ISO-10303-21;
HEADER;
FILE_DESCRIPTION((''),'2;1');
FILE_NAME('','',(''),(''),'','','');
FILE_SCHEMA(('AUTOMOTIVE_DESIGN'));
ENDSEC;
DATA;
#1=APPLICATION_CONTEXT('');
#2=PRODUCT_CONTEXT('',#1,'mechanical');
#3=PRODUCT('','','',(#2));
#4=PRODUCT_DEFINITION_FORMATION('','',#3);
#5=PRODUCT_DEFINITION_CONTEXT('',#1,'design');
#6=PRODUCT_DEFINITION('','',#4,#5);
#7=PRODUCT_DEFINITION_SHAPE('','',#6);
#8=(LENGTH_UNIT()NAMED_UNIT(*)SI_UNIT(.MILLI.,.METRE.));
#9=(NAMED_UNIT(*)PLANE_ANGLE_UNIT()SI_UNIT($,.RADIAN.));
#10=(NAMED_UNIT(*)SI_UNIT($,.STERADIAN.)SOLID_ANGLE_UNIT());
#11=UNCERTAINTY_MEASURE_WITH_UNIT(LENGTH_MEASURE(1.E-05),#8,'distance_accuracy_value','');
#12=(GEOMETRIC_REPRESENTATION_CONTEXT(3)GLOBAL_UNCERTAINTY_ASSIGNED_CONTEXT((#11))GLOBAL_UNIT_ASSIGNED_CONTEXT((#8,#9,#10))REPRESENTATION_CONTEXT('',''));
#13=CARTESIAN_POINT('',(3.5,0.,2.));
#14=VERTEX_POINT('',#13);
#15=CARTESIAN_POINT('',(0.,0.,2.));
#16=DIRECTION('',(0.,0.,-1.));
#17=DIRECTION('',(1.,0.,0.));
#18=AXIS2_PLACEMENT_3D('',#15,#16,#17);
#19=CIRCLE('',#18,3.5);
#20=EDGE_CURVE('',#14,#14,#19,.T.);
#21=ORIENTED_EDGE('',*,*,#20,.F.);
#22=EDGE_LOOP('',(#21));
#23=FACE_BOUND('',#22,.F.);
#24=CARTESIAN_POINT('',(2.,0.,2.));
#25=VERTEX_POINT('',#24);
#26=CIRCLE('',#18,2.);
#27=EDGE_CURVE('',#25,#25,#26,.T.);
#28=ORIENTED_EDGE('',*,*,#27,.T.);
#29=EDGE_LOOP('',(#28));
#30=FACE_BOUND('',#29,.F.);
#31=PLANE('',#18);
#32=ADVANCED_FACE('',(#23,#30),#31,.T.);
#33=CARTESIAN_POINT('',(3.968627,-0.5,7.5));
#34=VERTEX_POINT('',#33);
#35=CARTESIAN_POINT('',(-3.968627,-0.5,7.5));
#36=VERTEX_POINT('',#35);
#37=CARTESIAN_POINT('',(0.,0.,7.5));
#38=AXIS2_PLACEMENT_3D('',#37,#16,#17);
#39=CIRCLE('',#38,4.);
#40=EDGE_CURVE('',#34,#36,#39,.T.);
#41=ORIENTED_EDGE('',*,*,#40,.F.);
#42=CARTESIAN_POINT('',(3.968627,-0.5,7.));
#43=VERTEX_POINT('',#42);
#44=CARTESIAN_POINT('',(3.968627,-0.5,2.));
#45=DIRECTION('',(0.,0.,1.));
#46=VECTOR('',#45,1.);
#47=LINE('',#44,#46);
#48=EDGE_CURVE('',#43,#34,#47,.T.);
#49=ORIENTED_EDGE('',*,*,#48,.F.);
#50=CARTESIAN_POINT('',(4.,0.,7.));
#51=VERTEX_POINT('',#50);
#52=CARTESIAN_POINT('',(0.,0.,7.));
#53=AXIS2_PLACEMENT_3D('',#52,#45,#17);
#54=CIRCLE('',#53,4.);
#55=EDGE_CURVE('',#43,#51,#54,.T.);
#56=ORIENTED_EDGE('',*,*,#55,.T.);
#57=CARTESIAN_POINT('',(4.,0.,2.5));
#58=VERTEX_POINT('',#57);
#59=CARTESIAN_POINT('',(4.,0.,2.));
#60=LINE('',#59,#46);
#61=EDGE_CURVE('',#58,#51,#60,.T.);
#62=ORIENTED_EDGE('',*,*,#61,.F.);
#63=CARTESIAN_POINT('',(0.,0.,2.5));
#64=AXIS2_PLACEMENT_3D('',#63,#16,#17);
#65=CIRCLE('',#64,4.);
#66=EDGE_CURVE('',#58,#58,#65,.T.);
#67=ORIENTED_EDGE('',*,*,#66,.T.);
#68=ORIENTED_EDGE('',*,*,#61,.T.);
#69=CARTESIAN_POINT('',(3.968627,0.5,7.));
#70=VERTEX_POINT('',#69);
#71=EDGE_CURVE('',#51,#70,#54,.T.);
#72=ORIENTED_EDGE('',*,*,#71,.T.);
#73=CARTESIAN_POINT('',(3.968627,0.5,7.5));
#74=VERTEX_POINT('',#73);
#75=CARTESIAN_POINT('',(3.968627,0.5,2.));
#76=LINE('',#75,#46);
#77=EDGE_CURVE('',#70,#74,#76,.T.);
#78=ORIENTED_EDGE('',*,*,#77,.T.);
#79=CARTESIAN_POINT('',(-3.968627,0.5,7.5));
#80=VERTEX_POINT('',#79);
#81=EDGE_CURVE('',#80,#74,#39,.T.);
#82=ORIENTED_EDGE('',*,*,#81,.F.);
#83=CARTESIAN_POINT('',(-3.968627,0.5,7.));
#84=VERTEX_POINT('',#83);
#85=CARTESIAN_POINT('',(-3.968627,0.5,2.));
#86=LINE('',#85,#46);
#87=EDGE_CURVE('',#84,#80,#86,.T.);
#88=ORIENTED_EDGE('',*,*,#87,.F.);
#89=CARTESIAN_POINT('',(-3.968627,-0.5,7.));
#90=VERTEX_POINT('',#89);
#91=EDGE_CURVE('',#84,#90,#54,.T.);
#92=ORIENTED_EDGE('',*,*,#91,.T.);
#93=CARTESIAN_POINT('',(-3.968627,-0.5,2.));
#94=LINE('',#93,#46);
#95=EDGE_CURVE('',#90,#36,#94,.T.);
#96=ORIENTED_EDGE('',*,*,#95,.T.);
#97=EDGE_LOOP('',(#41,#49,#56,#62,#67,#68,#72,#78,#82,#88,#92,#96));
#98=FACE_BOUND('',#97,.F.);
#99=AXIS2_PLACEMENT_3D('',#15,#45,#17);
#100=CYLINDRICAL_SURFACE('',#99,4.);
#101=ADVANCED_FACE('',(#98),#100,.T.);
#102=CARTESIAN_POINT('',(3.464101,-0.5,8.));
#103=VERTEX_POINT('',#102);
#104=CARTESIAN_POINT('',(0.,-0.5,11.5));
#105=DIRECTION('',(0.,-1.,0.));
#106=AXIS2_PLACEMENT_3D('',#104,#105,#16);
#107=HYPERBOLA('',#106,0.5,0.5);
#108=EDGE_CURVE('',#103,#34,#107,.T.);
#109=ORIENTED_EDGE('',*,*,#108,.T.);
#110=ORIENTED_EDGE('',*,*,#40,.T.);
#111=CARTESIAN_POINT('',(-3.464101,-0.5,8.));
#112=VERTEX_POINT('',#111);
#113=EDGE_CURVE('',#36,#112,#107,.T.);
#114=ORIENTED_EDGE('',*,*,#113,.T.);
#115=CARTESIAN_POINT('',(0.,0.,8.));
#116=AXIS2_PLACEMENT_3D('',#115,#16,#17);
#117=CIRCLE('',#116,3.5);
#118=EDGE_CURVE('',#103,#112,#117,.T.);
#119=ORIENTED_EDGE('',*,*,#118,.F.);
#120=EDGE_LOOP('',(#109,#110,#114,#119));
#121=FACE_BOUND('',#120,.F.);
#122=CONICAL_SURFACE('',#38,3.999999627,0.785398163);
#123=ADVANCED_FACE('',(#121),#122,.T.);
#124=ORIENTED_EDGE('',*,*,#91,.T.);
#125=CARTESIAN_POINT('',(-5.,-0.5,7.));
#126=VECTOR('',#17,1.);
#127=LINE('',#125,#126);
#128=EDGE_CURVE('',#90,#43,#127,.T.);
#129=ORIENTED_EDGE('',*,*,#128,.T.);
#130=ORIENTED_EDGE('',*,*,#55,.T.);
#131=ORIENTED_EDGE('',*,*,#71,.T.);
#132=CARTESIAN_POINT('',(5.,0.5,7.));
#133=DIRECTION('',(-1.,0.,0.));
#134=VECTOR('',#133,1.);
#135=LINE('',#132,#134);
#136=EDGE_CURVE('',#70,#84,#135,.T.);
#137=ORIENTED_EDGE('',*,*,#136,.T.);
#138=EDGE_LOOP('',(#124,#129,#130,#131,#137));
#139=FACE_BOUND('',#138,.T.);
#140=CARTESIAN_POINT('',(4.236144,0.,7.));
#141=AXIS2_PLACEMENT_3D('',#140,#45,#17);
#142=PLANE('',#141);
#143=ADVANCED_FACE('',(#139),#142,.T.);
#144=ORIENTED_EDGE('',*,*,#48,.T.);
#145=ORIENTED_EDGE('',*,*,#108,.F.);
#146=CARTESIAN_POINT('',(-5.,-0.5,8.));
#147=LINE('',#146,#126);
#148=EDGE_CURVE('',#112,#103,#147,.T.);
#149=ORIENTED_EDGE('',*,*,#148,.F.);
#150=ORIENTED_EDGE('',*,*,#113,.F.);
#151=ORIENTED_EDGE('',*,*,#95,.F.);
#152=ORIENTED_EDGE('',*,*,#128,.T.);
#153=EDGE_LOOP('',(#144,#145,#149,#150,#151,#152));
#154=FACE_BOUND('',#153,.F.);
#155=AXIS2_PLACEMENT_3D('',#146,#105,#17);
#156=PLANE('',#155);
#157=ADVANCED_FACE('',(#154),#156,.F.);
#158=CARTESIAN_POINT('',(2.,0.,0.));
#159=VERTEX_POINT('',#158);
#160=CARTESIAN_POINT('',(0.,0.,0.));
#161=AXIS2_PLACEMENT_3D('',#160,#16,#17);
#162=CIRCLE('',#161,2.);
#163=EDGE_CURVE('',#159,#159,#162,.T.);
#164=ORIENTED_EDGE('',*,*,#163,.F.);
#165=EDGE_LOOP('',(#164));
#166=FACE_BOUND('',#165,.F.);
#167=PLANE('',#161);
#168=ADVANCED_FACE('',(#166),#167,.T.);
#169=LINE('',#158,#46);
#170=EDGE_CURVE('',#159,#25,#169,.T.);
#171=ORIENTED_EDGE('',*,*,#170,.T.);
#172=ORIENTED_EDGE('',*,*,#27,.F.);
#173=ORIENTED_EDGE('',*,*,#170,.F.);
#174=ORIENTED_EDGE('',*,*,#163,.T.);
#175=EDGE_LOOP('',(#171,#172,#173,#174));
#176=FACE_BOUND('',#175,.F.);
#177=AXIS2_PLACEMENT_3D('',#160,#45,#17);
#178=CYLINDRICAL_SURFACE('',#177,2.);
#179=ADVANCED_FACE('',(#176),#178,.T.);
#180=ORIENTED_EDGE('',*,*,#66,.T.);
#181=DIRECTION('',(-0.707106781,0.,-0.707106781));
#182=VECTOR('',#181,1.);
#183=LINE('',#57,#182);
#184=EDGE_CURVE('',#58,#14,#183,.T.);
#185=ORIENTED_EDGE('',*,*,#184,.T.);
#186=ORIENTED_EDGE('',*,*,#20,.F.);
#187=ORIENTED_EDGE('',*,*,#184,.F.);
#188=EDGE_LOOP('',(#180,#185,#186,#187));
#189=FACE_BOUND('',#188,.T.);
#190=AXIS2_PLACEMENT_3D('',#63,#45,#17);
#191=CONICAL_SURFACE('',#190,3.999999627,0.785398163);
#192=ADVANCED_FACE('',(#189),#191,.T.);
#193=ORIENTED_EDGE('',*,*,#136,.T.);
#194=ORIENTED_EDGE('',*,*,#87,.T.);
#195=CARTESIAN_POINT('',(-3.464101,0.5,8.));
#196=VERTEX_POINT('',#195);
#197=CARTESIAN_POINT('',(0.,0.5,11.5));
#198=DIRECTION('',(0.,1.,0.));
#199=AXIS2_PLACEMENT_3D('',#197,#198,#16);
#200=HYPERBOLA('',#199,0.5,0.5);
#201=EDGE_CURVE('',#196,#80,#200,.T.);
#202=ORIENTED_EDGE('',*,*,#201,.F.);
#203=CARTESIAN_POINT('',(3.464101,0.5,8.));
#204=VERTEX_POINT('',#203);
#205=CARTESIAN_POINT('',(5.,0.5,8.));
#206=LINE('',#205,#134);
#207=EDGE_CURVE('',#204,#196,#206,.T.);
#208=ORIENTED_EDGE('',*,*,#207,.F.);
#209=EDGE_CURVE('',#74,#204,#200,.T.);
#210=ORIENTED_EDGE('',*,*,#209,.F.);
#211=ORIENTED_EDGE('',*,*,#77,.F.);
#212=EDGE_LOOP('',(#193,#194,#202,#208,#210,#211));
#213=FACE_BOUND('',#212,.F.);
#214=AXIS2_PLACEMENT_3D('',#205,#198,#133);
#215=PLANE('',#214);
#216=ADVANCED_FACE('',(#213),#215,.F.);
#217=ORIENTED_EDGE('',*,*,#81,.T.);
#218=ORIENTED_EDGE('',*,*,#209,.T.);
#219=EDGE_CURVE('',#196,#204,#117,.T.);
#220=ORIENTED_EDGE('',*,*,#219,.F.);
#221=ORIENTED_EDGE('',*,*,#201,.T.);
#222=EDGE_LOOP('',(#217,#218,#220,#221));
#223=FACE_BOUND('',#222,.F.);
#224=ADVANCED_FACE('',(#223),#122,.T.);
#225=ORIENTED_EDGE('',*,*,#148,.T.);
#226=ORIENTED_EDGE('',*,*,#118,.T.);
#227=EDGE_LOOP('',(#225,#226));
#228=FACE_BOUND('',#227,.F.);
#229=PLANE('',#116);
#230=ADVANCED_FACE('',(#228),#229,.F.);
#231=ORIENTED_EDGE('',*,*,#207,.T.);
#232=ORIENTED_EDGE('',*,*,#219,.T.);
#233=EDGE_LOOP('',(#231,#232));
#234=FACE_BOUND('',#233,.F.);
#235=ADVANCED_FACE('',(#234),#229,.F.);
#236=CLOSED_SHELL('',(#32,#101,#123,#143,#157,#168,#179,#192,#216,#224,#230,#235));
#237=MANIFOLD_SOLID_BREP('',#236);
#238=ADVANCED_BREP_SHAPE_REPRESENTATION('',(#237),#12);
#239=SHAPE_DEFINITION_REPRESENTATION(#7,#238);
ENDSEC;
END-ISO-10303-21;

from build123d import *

# Parameters (mm, degrees)
F2_SIZE  = 0.5
F3_SIZE  = 0.5
F5_DEPTH = 1


with BuildPart() as f1:
    # F0 (on Front) → F1 (revolve)
    with BuildSketch(Plane.XZ):
        Polygon((0, 8), (0, 0), (2, 0), (2, 2), (3.9999996265, 2), (3.9999996265, 8), align=None)
    revolve(axis=Axis((0, 0, 4), (0, 0, -1)))

    # F2
    f2_edges = [f1.edges().sort_by_distance(p)[0] for p in [
        (-4, 0, 8),
    ]]
    chamfer(f2_edges, length=F2_SIZE)

    # F3
    f3_edges = [f1.edges().sort_by_distance(p)[0] for p in [
        (-4, 0, 2),
    ]]
    chamfer(f3_edges, length=F3_SIZE)

    # F4 (on face) → F5 (cut)
    with BuildSketch(Plane.XY.offset(8)):
        with BuildLine():
            Line((5, 0.5), (3.4641012378, 0.5))
            ThreePointArc((3.4641012378, 0.5), (3.4910134935, 0.2506435189), (3.4999996265, 0))
            ThreePointArc((3.4999996265, 0), (3.4910134935, -0.2506435189), (3.4641012378, -0.5))
            Line((3.4641012378, -0.5), (5, -0.5))
            Line((5, -0.5), (5, 0))
            Line((5, 0), (5, 0.5))
        make_face()
        with BuildLine():
            ThreePointArc((-3.4641012378, 0.5), (-3.4910134935, 0.2506435189), (-3.4999996265, 0))
            ThreePointArc((-3.4999996265, 0), (-3.4910134935, -0.2506435189), (-3.4641012378, -0.5))
            Line((-3.4641012378, -0.5), (3.4641012378, -0.5))
            ThreePointArc((3.4641012378, -0.5), (3.4910134935, -0.2506435189), (3.4999996265, 0))
            ThreePointArc((3.4999996265, 0), (3.4910134935, 0.2506435189), (3.4641012378, 0.5))
            Line((3.4641012378, 0.5), (-3.4641012378, 0.5))
        make_face()
        with BuildLine():
            ThreePointArc((-3.4641012378, -0.5), (-3.4910134935, -0.2506435189), (-3.4999996265, 0))
            Line((-3.4999996265, 0), (-5, 0))
            Line((-5, 0), (-5, -0.5))
            Line((-5, -0.5), (-3.4641012378, -0.5))
        make_face()
        with BuildLine():
            Line((-5, 0), (-3.4999996265, 0))
            ThreePointArc((-3.4999996265, 0), (-3.4910134935, 0.2506435189), (-3.4641012378, 0.5))
            Line((-3.4641012378, 0.5), (-5, 0.5))
            Line((-5, 0.5), (-5, 0))
        make_face()
    extrude(amount=-F5_DEPTH, mode=Mode.SUBTRACT)


solid = f1.part
